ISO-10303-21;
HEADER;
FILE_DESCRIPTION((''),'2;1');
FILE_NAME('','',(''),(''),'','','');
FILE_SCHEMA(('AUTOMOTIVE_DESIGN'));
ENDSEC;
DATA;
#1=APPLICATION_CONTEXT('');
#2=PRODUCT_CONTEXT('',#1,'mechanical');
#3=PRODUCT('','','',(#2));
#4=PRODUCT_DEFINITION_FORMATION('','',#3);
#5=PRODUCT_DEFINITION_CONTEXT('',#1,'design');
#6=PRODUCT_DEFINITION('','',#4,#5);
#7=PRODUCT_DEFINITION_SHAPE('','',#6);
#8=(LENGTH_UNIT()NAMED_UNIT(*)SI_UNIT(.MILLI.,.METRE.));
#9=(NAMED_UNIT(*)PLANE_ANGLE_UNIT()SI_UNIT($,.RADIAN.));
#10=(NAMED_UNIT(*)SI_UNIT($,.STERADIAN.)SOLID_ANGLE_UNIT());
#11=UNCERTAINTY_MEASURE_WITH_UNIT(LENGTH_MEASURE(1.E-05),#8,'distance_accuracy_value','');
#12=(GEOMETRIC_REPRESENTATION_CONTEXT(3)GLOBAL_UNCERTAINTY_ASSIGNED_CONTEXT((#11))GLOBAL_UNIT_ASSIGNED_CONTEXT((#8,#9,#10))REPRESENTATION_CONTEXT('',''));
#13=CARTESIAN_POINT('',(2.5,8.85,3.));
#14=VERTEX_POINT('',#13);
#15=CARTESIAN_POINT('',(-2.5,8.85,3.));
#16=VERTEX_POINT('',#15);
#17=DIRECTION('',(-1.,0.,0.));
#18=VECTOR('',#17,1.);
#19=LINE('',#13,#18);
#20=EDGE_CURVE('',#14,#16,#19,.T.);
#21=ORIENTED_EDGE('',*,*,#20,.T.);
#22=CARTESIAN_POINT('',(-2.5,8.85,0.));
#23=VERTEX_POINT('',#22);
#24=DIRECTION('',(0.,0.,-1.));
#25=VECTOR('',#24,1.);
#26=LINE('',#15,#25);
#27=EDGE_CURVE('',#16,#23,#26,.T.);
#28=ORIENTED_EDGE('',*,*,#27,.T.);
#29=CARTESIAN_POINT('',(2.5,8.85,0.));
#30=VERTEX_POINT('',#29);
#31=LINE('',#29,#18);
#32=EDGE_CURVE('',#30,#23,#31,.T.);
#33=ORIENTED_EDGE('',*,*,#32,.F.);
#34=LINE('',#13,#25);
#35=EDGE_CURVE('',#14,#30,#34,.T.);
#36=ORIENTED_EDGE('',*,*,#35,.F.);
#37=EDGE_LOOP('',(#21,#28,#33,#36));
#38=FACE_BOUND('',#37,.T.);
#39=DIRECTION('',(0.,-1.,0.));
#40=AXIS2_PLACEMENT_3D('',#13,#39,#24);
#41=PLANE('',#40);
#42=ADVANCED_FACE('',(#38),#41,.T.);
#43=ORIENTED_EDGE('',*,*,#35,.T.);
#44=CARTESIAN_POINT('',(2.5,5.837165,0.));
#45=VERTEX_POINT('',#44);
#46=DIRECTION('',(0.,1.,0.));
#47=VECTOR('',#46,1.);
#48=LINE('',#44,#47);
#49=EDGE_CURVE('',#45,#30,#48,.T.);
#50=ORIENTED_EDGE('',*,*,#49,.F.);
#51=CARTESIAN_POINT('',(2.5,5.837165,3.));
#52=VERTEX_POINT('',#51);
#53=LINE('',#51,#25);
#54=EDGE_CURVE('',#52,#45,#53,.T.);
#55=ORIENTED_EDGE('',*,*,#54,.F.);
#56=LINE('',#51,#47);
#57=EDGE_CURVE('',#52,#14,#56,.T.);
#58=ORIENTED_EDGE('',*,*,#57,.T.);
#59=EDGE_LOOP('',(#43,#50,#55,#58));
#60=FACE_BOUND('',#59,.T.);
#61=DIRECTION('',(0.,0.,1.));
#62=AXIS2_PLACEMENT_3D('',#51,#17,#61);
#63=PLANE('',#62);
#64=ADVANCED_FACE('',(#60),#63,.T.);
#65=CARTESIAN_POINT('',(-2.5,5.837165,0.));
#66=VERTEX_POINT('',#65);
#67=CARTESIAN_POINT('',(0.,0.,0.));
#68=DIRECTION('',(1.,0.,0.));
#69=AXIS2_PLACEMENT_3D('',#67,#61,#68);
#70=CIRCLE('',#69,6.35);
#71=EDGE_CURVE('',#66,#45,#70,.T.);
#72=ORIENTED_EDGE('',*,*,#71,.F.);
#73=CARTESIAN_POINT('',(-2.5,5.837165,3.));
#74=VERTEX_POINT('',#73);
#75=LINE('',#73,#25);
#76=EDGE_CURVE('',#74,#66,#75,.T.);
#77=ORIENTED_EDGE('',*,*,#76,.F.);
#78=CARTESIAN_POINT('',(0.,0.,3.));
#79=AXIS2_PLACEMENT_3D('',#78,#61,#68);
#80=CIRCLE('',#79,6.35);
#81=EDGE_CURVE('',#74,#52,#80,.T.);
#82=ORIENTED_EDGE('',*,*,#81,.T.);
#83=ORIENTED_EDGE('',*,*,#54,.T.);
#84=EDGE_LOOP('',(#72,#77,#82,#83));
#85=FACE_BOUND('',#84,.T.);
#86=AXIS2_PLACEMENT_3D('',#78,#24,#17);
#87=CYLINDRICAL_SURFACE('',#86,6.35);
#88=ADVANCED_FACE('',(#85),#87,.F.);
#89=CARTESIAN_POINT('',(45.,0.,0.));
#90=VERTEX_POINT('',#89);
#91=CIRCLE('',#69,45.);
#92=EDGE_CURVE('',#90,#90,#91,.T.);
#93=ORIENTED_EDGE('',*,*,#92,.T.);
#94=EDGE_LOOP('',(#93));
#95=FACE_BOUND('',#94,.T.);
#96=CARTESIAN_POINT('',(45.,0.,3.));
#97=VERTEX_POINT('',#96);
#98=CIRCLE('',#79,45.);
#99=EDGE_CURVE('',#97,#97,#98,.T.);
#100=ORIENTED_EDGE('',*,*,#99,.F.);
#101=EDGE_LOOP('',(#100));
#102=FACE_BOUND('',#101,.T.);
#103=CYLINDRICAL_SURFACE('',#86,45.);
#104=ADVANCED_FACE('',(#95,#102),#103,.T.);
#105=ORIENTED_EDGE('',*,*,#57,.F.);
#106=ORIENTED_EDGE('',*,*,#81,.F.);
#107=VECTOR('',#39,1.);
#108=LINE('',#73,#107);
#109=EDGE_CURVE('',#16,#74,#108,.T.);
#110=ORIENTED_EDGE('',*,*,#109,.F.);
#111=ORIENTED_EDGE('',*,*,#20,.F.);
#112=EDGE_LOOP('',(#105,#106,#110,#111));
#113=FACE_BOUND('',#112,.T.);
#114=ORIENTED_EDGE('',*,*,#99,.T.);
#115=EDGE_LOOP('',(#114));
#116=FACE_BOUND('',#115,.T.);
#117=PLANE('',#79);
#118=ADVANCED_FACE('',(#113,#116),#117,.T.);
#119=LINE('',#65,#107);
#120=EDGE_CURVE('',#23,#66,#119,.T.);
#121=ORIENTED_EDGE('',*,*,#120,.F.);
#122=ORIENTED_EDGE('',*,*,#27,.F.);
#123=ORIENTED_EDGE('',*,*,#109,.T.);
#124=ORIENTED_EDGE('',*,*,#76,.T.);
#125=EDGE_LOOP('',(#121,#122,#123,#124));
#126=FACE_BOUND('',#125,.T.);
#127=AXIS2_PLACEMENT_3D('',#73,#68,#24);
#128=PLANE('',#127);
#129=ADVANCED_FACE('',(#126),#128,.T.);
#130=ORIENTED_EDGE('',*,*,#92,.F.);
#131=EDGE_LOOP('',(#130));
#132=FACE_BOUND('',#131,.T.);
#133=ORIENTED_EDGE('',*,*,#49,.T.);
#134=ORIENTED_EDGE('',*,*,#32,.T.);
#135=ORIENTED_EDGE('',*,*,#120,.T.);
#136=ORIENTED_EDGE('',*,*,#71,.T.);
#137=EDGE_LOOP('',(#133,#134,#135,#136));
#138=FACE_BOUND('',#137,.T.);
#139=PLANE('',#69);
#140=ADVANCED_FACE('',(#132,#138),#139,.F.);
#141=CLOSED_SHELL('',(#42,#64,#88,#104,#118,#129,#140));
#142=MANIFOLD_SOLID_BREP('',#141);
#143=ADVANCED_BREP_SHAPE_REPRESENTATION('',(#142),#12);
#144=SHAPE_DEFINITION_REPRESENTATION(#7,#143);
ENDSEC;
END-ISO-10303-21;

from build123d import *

# Parameters (mm, degrees)
CROQUIS1_R              = 45
SALIENTE_EXTRUIR1_DEPTH = 3


with BuildPart() as part:
    # Croquis1 → Saliente-Extruir1 (new body)
    with BuildSketch(Plane.XY):
        Circle(CROQUIS1_R)
        with BuildLine():
            Line((2.5, 5.837165408), (2.5, 8.85))
            Line((2.5, 8.85), (-2.5, 8.85))
            Line((-2.5, 8.85), (-2.5, 5.837165408))
            ThreePointArc((-2.5, 5.837165408), (0, -6.35), (2.5, 5.837165408))
        make_face(mode=Mode.SUBTRACT)
    extrude(amount=SALIENTE_EXTRUIR1_DEPTH)


solid = part.part
